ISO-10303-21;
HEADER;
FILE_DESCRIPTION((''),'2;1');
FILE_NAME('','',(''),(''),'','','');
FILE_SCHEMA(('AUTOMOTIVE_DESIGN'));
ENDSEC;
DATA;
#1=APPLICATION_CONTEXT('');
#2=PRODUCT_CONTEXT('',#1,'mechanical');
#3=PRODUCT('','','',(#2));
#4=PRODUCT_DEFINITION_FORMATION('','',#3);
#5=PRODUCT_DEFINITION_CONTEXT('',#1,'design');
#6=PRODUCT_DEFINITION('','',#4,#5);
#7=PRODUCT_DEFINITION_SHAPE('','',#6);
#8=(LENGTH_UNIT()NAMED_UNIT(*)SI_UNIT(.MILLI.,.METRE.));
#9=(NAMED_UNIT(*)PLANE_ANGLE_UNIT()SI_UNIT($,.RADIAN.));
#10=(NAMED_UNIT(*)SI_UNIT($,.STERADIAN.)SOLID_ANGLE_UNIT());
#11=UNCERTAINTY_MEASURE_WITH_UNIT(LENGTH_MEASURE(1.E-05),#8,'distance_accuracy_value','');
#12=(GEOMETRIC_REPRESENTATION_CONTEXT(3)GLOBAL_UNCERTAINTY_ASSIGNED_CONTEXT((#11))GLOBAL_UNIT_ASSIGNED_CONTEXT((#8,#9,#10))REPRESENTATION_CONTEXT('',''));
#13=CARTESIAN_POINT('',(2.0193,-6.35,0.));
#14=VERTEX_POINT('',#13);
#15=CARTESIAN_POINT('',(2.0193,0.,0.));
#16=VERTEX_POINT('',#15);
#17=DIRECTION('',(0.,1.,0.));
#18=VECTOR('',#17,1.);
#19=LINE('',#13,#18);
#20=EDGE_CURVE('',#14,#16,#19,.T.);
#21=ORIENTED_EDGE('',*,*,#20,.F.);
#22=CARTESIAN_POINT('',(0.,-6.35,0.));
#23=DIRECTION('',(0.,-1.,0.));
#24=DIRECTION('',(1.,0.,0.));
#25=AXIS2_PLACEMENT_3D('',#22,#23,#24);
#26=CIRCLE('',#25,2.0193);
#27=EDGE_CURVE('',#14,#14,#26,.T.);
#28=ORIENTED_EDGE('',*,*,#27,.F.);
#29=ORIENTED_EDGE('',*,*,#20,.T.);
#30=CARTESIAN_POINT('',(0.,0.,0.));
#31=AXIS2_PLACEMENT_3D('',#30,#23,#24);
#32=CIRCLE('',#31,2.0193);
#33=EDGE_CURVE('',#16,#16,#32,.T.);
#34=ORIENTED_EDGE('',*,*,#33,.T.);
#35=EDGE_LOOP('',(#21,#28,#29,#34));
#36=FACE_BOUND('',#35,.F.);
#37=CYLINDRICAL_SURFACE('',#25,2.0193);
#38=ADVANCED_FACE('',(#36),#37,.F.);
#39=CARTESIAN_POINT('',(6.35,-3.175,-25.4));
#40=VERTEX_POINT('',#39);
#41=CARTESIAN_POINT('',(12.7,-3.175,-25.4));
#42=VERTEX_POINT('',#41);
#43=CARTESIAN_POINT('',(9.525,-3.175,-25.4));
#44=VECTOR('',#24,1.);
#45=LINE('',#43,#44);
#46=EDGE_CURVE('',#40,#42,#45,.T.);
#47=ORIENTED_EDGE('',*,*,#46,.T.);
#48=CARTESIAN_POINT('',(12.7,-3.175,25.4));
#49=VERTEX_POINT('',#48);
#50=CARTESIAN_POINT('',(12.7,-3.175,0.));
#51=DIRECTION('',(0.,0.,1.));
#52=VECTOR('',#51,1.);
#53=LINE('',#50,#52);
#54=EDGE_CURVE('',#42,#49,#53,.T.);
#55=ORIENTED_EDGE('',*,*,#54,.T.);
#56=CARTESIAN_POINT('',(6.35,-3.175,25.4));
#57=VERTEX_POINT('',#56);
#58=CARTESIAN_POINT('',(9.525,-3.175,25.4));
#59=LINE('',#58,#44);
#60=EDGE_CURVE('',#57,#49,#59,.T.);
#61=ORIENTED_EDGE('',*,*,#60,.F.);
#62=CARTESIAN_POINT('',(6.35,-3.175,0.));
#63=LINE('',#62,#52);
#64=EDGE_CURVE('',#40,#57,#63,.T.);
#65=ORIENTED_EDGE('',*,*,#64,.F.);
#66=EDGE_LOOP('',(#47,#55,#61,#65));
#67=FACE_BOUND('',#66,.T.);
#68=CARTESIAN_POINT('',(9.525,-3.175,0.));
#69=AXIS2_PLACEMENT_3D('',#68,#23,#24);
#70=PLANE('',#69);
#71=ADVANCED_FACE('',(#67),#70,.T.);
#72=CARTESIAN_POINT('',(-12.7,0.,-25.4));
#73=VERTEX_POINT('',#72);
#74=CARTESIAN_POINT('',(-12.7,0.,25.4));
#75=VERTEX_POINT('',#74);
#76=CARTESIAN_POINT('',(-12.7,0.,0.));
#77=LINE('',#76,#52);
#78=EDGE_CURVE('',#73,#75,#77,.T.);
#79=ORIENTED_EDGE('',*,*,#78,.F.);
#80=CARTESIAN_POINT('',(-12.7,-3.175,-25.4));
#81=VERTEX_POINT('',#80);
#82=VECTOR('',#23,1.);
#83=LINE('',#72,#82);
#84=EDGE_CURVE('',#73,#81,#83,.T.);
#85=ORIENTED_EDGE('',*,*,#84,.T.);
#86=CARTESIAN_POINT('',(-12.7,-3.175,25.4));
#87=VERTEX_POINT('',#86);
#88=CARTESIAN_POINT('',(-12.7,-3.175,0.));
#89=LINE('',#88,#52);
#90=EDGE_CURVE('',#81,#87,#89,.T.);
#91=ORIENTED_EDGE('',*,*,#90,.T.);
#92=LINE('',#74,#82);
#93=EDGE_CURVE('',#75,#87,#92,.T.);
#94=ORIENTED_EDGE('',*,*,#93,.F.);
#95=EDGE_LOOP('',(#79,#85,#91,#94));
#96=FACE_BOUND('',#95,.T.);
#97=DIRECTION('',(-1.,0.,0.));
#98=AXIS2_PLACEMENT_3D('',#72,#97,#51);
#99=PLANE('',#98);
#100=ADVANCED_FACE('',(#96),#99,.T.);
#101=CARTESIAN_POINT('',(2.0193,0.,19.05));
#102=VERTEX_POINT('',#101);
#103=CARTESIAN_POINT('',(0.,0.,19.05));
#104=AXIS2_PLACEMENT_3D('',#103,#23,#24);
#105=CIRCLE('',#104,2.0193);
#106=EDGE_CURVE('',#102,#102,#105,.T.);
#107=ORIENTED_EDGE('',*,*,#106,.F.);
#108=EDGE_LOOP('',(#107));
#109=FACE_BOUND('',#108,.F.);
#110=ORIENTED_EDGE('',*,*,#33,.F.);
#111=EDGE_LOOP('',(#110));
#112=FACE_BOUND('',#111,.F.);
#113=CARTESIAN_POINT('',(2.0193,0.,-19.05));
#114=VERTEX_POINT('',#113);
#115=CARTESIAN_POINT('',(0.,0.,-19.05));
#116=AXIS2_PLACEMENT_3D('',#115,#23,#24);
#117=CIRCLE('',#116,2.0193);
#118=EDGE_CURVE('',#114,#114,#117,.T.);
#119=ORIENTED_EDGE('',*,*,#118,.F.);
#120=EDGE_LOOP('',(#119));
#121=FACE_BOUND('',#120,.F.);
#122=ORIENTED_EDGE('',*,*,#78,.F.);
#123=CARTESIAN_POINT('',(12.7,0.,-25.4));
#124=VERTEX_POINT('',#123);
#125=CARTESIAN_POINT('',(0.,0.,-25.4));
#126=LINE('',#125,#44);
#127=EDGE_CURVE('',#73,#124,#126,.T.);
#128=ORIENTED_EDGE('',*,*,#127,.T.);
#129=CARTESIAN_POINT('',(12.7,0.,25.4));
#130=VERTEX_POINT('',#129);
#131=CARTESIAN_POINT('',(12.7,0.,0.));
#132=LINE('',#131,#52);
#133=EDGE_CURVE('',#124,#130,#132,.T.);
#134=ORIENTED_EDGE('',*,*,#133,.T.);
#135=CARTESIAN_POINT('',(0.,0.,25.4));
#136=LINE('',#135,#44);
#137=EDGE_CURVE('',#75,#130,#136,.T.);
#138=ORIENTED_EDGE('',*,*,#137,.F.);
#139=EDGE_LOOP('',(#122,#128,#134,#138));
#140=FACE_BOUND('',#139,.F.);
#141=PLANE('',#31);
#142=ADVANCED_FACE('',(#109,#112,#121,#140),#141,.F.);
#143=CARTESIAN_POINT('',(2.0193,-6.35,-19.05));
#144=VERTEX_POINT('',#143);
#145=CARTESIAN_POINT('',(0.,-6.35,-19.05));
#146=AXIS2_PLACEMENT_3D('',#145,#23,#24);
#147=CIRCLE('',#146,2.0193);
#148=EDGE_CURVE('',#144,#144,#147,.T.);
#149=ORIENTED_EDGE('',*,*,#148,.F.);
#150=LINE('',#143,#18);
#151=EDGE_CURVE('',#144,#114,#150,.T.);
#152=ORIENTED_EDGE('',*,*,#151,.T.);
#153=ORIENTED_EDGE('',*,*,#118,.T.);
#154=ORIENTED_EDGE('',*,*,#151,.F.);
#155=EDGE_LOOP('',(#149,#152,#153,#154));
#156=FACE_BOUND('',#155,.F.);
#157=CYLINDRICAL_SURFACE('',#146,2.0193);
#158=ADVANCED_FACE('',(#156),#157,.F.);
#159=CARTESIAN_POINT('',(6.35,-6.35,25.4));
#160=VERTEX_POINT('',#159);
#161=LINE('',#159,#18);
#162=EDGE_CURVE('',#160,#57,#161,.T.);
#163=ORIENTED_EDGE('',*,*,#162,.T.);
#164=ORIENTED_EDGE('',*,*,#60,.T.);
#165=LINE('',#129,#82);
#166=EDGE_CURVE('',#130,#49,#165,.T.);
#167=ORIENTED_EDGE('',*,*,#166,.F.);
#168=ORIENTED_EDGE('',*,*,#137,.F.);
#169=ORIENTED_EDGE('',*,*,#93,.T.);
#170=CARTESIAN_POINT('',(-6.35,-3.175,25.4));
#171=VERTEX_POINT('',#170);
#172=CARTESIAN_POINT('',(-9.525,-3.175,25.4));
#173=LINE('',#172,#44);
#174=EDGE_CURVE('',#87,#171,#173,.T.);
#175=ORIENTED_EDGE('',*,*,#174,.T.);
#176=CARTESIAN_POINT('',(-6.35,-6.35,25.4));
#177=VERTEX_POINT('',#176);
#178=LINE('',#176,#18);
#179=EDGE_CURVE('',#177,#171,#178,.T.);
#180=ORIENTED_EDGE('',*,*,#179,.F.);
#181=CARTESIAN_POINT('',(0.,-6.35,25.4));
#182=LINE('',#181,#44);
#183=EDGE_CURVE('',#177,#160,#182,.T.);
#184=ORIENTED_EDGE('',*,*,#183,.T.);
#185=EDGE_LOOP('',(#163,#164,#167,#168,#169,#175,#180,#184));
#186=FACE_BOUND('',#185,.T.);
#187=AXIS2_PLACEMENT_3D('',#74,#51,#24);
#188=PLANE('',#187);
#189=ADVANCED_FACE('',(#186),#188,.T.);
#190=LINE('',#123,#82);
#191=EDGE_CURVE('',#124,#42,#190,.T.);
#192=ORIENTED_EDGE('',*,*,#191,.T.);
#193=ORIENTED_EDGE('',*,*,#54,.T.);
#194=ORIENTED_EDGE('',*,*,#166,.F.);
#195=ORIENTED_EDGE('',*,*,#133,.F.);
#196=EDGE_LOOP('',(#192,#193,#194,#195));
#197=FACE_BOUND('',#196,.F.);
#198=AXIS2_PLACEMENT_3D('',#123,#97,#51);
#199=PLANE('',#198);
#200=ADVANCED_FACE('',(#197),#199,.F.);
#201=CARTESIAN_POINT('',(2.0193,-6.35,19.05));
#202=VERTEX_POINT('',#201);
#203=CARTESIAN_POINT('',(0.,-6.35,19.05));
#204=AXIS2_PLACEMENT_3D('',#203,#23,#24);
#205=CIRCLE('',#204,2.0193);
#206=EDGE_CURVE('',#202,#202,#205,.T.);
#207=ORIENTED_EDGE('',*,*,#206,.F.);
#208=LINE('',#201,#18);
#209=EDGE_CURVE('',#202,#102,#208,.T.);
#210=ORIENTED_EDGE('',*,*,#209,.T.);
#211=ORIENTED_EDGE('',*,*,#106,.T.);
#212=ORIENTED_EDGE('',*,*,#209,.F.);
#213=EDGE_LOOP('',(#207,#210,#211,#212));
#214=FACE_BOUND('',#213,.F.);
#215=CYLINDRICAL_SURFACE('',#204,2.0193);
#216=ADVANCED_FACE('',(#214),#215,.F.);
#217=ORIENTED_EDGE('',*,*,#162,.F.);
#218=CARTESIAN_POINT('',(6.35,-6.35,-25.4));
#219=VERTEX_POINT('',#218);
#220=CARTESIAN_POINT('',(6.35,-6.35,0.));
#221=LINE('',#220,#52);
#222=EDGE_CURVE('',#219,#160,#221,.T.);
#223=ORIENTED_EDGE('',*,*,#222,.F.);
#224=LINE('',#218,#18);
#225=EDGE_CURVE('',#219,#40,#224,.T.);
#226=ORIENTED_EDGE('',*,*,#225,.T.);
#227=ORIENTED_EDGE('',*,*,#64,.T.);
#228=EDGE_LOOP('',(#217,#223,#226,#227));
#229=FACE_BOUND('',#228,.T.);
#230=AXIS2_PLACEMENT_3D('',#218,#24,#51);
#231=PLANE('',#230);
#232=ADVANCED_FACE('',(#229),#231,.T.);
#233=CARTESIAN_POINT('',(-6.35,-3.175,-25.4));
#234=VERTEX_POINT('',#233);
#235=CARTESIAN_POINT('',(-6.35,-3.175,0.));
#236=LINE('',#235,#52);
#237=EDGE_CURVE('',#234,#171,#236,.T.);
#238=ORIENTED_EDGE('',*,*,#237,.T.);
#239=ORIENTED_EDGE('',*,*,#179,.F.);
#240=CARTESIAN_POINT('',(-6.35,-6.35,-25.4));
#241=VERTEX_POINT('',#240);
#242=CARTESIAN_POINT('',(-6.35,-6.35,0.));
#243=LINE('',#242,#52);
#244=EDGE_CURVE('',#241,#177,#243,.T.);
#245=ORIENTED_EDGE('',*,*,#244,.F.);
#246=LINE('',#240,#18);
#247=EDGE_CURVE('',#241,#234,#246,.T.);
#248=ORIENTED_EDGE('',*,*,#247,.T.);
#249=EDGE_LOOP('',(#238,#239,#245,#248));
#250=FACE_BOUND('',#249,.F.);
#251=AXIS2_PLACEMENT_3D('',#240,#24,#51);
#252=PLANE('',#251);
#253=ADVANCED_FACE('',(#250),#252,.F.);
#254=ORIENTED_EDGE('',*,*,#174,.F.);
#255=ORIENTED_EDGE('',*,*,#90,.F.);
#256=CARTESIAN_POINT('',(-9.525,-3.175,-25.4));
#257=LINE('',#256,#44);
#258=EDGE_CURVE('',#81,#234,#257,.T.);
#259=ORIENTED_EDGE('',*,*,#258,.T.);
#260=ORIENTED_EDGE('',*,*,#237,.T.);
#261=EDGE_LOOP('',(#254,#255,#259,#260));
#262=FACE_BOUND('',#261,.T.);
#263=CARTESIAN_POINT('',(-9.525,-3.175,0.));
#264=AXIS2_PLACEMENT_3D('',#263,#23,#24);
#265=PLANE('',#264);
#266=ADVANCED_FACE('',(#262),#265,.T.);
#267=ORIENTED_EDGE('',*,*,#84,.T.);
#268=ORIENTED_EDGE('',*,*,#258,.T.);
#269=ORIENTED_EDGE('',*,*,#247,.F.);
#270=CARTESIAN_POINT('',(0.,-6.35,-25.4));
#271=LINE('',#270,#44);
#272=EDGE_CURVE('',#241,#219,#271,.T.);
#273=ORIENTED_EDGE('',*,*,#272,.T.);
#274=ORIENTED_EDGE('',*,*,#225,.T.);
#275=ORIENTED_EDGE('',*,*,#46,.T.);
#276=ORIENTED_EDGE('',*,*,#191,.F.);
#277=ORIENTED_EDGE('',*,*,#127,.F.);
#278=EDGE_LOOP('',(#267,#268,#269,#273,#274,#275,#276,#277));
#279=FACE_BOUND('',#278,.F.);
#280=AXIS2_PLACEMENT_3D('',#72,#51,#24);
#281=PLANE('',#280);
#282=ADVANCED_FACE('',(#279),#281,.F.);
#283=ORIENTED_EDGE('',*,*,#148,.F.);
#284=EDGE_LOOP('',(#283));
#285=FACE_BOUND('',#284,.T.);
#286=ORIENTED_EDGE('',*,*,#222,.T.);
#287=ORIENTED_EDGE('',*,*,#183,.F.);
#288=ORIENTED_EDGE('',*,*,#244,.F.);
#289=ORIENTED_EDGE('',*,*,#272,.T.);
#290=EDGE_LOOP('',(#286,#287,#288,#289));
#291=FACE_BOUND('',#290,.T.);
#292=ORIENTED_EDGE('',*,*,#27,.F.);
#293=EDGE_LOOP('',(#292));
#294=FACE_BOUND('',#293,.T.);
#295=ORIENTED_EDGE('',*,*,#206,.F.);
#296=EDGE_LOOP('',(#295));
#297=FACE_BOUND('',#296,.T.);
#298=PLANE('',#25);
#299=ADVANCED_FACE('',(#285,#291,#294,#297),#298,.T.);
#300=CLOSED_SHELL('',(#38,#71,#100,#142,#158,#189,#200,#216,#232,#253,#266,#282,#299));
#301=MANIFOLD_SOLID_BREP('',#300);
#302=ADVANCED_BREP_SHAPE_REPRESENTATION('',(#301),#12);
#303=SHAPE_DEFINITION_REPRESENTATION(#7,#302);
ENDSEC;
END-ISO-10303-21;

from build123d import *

# Parameters (mm, degrees)
F0_W     = 25.4
F0_H     = 50.8
F1_DEPTH = 6.35
F2_W     = 6.35
F2_H     = 50.8
F3_DEPTH = 3.175
F4_R     = 2.0193
F5_DEPTH = 6.351


with BuildPart() as f1:
    # F0 (on Front) → F1 (new body)
    with BuildSketch(Plane.XZ):
        Rectangle(F0_W, F0_H)
    extrude(amount=F1_DEPTH)

    # F2 (on face) → F3 (cut)
    with BuildSketch(Plane.XZ.offset(6.35)):
        with Locations((-9.525, 0)):
            Rectangle(F2_W, F2_H)
        with Locations((9.525, 0)):
            Rectangle(F2_W, F2_H)
    extrude(amount=-F3_DEPTH, mode=Mode.SUBTRACT)

    # F4 (on face) → F5 (cut, through all)
    with BuildSketch(Plane.XZ.offset(6.35)):
        Circle(F4_R)
        with Locations((0, 19.05)):
            Circle(F4_R)
        with Locations((0, -19.05)):
            Circle(F4_R)
    extrude(amount=-F5_DEPTH, mode=Mode.SUBTRACT)


solid = f1.part
